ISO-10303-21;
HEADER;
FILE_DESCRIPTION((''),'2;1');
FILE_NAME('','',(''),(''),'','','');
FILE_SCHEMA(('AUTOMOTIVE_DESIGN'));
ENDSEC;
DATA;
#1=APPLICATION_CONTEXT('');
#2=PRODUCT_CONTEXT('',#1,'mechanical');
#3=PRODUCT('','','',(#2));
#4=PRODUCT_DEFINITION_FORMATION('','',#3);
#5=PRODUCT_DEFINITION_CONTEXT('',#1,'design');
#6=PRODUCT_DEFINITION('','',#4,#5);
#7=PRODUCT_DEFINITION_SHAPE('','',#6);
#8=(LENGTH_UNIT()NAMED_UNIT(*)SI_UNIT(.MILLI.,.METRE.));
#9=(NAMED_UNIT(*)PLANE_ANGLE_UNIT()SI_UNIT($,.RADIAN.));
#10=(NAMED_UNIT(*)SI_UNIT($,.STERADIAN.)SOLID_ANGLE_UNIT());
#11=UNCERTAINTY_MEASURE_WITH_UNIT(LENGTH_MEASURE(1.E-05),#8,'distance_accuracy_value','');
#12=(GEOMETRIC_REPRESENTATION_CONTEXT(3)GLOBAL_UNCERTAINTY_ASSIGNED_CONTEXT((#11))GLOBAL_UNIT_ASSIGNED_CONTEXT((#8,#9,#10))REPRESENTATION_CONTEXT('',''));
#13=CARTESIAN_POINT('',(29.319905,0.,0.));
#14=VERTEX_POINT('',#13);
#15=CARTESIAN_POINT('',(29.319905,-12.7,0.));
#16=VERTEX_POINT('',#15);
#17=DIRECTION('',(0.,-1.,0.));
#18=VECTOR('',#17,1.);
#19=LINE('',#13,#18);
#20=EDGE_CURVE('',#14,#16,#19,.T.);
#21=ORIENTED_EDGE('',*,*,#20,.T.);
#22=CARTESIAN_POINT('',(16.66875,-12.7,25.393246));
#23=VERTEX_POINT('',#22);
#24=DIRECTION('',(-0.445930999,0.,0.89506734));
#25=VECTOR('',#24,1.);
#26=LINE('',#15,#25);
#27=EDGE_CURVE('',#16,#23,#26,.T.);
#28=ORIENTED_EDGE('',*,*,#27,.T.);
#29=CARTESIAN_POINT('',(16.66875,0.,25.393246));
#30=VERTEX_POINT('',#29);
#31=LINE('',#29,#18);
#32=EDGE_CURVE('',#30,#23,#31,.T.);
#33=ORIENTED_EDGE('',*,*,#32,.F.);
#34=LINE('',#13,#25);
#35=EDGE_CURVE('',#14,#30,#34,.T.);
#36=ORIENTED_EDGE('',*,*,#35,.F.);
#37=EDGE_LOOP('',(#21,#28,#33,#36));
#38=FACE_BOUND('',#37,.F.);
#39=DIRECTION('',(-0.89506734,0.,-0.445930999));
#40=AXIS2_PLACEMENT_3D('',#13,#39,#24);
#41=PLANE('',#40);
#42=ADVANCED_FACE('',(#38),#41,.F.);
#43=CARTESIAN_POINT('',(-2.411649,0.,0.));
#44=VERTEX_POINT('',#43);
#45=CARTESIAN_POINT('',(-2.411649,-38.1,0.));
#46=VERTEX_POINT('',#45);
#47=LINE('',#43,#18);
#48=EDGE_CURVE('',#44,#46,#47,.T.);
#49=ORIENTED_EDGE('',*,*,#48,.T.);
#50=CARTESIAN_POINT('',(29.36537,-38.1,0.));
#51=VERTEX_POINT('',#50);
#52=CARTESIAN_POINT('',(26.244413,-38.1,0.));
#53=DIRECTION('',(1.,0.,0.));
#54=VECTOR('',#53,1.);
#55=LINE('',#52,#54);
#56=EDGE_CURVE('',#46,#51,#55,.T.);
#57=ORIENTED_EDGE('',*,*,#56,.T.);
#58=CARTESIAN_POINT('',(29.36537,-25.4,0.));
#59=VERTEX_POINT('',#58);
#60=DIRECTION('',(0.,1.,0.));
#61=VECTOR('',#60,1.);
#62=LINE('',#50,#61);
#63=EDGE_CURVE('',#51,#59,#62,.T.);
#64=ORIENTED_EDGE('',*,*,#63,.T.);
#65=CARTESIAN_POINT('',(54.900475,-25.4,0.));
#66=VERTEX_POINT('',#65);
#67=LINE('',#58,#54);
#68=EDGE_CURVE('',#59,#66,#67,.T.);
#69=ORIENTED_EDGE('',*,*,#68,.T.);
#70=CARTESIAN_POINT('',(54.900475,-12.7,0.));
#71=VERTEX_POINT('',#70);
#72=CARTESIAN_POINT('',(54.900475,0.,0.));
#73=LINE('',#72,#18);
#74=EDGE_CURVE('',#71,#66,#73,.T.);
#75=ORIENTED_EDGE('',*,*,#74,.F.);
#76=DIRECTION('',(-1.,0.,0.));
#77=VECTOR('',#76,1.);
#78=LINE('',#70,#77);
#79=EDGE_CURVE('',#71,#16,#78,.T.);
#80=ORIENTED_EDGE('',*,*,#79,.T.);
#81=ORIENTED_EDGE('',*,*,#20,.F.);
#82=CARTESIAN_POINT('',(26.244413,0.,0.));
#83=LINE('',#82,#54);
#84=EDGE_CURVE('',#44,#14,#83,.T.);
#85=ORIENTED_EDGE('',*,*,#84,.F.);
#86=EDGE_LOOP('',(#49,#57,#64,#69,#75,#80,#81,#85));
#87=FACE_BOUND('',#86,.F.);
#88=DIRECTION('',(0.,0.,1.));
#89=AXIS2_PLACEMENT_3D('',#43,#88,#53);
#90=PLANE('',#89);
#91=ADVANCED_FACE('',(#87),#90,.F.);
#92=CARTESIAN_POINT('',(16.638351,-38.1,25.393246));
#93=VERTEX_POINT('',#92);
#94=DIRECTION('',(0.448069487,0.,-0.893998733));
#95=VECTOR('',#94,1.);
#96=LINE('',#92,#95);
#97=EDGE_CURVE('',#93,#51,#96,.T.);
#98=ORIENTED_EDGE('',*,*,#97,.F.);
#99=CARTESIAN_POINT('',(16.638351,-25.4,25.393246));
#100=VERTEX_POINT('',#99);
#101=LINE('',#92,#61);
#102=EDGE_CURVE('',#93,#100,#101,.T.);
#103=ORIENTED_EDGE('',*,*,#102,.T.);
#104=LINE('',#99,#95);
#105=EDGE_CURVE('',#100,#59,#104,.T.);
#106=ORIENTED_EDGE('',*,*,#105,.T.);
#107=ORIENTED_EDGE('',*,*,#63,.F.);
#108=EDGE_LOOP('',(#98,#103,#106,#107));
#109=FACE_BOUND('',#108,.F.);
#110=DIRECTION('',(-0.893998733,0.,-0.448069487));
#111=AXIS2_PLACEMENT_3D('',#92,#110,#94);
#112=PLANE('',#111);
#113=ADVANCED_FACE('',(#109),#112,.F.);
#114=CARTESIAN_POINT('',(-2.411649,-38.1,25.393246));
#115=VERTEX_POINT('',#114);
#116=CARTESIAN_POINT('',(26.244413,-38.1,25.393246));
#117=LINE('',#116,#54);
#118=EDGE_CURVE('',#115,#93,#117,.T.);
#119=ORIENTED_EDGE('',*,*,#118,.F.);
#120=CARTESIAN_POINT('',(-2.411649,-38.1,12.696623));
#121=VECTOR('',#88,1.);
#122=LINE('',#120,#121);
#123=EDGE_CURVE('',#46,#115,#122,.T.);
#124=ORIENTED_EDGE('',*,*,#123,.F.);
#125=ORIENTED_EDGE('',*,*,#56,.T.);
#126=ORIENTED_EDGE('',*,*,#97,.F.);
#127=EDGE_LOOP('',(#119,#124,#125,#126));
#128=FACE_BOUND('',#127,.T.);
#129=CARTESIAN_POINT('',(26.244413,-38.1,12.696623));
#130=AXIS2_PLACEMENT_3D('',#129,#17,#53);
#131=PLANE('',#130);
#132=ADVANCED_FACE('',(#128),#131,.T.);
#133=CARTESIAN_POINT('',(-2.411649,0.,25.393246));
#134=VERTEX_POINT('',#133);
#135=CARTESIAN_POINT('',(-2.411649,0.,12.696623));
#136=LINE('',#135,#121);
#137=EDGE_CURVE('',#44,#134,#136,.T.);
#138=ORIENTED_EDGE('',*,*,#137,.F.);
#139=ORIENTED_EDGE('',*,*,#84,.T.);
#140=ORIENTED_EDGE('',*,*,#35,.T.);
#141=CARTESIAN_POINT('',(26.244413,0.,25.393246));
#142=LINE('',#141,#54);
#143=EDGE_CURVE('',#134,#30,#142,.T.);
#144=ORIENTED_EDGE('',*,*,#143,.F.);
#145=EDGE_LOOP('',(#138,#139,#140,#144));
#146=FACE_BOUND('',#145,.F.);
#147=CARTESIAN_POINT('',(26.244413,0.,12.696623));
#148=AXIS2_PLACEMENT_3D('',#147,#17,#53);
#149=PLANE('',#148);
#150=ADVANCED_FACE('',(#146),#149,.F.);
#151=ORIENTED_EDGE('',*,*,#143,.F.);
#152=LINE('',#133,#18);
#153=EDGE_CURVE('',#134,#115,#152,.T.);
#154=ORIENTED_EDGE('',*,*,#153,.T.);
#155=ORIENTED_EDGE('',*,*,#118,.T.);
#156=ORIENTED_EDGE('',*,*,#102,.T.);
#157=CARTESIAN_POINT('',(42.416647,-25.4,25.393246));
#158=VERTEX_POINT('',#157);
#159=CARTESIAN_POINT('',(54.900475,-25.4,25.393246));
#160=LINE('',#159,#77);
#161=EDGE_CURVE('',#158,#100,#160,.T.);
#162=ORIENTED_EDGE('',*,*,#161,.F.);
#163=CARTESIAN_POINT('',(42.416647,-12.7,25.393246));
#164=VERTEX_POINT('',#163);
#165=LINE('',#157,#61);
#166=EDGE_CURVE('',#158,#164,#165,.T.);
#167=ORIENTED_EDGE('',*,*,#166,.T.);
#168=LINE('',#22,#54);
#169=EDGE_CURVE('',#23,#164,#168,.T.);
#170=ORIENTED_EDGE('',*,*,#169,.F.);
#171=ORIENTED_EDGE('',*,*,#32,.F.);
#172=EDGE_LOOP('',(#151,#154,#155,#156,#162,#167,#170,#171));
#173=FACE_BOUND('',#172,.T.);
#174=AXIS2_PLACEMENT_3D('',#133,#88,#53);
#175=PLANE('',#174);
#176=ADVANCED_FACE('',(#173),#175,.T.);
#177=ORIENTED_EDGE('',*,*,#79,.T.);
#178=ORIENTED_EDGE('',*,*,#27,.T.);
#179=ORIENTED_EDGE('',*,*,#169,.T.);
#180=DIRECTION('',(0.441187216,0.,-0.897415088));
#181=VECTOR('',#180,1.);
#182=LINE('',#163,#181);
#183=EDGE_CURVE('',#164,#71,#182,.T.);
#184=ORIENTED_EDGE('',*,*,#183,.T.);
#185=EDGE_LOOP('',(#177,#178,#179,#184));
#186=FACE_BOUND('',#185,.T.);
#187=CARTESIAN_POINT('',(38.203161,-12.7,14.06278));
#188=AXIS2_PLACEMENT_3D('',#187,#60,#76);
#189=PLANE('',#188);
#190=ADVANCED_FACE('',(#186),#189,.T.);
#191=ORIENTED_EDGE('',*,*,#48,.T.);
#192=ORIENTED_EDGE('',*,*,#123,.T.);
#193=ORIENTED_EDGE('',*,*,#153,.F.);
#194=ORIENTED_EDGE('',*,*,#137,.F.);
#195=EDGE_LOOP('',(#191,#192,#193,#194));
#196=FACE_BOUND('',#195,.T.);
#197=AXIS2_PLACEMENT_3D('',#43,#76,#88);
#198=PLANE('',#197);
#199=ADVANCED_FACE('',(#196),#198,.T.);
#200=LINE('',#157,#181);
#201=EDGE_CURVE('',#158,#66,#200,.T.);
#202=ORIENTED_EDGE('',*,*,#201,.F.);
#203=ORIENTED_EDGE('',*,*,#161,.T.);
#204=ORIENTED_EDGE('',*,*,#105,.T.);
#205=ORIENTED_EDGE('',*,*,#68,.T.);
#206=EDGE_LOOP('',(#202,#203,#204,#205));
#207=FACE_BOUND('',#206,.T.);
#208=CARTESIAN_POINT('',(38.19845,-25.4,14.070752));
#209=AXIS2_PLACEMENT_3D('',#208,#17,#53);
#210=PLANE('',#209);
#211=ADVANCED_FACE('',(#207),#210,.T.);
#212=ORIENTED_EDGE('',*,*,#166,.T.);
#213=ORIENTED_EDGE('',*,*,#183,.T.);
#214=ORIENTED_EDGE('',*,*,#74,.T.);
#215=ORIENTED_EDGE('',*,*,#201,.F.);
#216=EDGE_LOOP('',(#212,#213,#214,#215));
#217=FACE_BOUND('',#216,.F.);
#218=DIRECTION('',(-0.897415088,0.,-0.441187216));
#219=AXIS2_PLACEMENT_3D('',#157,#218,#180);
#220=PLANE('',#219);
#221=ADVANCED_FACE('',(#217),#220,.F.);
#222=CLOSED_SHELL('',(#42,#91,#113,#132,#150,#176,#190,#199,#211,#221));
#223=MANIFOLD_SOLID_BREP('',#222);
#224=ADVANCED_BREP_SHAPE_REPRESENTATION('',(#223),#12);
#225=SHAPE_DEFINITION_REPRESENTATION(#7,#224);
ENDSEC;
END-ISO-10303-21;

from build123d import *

# Parameters (mm, degrees)
F0_W     = 57.3121234775
F0_H     = 25.3932457417
F1_DEPTH = 38.1
F3_DEPTH = 12.7
F5_DEPTH = 12.7
F7_DEPTH = 12.7


with BuildPart() as f1:
    # F0 (on Front) → F1 (new body)
    with BuildSketch(Plane.XZ):
        with Locations((26.2444131076, 12.6966228709)):
            Rectangle(F0_W, F0_H)
    extrude(amount=F1_DEPTH)

    # F2 (on face) → F3 (cut)
    with BuildSketch(Plane.XZ.offset(38.1)):
        Polygon((54.9004748464, 25.3932457417), (16.6383513689, 25.3932457417), (29.3653700501, 0), (54.9004748464, 0), align=None)
    extrude(amount=-F3_DEPTH, mode=Mode.SUBTRACT)

    # F4 (on face) → F5 (cut)
    with BuildSketch(Plane.XZ.offset(25.4)):
        Polygon((54.9004748464, 0), (54.9004748464, 25.3932457417), (42.4166470766, 25.3932457417), align=None)
    extrude(amount=-F5_DEPTH, mode=Mode.SUBTRACT)

    # F6 (on face) → F7 (cut)
    with BuildSketch(Plane(origin=(0, 0, 0), x_dir=(-1, 0, 0), z_dir=(0, 1, 0))):
        Polygon((-29.3199047446, 0), (-16.6687499732, 25.3932457417), (-54.9004748464, 25.3932457417), (-54.9004748464, 0), (-42.1420186758, 0), align=None)
    extrude(amount=-F7_DEPTH, mode=Mode.SUBTRACT)


solid = f1.part
